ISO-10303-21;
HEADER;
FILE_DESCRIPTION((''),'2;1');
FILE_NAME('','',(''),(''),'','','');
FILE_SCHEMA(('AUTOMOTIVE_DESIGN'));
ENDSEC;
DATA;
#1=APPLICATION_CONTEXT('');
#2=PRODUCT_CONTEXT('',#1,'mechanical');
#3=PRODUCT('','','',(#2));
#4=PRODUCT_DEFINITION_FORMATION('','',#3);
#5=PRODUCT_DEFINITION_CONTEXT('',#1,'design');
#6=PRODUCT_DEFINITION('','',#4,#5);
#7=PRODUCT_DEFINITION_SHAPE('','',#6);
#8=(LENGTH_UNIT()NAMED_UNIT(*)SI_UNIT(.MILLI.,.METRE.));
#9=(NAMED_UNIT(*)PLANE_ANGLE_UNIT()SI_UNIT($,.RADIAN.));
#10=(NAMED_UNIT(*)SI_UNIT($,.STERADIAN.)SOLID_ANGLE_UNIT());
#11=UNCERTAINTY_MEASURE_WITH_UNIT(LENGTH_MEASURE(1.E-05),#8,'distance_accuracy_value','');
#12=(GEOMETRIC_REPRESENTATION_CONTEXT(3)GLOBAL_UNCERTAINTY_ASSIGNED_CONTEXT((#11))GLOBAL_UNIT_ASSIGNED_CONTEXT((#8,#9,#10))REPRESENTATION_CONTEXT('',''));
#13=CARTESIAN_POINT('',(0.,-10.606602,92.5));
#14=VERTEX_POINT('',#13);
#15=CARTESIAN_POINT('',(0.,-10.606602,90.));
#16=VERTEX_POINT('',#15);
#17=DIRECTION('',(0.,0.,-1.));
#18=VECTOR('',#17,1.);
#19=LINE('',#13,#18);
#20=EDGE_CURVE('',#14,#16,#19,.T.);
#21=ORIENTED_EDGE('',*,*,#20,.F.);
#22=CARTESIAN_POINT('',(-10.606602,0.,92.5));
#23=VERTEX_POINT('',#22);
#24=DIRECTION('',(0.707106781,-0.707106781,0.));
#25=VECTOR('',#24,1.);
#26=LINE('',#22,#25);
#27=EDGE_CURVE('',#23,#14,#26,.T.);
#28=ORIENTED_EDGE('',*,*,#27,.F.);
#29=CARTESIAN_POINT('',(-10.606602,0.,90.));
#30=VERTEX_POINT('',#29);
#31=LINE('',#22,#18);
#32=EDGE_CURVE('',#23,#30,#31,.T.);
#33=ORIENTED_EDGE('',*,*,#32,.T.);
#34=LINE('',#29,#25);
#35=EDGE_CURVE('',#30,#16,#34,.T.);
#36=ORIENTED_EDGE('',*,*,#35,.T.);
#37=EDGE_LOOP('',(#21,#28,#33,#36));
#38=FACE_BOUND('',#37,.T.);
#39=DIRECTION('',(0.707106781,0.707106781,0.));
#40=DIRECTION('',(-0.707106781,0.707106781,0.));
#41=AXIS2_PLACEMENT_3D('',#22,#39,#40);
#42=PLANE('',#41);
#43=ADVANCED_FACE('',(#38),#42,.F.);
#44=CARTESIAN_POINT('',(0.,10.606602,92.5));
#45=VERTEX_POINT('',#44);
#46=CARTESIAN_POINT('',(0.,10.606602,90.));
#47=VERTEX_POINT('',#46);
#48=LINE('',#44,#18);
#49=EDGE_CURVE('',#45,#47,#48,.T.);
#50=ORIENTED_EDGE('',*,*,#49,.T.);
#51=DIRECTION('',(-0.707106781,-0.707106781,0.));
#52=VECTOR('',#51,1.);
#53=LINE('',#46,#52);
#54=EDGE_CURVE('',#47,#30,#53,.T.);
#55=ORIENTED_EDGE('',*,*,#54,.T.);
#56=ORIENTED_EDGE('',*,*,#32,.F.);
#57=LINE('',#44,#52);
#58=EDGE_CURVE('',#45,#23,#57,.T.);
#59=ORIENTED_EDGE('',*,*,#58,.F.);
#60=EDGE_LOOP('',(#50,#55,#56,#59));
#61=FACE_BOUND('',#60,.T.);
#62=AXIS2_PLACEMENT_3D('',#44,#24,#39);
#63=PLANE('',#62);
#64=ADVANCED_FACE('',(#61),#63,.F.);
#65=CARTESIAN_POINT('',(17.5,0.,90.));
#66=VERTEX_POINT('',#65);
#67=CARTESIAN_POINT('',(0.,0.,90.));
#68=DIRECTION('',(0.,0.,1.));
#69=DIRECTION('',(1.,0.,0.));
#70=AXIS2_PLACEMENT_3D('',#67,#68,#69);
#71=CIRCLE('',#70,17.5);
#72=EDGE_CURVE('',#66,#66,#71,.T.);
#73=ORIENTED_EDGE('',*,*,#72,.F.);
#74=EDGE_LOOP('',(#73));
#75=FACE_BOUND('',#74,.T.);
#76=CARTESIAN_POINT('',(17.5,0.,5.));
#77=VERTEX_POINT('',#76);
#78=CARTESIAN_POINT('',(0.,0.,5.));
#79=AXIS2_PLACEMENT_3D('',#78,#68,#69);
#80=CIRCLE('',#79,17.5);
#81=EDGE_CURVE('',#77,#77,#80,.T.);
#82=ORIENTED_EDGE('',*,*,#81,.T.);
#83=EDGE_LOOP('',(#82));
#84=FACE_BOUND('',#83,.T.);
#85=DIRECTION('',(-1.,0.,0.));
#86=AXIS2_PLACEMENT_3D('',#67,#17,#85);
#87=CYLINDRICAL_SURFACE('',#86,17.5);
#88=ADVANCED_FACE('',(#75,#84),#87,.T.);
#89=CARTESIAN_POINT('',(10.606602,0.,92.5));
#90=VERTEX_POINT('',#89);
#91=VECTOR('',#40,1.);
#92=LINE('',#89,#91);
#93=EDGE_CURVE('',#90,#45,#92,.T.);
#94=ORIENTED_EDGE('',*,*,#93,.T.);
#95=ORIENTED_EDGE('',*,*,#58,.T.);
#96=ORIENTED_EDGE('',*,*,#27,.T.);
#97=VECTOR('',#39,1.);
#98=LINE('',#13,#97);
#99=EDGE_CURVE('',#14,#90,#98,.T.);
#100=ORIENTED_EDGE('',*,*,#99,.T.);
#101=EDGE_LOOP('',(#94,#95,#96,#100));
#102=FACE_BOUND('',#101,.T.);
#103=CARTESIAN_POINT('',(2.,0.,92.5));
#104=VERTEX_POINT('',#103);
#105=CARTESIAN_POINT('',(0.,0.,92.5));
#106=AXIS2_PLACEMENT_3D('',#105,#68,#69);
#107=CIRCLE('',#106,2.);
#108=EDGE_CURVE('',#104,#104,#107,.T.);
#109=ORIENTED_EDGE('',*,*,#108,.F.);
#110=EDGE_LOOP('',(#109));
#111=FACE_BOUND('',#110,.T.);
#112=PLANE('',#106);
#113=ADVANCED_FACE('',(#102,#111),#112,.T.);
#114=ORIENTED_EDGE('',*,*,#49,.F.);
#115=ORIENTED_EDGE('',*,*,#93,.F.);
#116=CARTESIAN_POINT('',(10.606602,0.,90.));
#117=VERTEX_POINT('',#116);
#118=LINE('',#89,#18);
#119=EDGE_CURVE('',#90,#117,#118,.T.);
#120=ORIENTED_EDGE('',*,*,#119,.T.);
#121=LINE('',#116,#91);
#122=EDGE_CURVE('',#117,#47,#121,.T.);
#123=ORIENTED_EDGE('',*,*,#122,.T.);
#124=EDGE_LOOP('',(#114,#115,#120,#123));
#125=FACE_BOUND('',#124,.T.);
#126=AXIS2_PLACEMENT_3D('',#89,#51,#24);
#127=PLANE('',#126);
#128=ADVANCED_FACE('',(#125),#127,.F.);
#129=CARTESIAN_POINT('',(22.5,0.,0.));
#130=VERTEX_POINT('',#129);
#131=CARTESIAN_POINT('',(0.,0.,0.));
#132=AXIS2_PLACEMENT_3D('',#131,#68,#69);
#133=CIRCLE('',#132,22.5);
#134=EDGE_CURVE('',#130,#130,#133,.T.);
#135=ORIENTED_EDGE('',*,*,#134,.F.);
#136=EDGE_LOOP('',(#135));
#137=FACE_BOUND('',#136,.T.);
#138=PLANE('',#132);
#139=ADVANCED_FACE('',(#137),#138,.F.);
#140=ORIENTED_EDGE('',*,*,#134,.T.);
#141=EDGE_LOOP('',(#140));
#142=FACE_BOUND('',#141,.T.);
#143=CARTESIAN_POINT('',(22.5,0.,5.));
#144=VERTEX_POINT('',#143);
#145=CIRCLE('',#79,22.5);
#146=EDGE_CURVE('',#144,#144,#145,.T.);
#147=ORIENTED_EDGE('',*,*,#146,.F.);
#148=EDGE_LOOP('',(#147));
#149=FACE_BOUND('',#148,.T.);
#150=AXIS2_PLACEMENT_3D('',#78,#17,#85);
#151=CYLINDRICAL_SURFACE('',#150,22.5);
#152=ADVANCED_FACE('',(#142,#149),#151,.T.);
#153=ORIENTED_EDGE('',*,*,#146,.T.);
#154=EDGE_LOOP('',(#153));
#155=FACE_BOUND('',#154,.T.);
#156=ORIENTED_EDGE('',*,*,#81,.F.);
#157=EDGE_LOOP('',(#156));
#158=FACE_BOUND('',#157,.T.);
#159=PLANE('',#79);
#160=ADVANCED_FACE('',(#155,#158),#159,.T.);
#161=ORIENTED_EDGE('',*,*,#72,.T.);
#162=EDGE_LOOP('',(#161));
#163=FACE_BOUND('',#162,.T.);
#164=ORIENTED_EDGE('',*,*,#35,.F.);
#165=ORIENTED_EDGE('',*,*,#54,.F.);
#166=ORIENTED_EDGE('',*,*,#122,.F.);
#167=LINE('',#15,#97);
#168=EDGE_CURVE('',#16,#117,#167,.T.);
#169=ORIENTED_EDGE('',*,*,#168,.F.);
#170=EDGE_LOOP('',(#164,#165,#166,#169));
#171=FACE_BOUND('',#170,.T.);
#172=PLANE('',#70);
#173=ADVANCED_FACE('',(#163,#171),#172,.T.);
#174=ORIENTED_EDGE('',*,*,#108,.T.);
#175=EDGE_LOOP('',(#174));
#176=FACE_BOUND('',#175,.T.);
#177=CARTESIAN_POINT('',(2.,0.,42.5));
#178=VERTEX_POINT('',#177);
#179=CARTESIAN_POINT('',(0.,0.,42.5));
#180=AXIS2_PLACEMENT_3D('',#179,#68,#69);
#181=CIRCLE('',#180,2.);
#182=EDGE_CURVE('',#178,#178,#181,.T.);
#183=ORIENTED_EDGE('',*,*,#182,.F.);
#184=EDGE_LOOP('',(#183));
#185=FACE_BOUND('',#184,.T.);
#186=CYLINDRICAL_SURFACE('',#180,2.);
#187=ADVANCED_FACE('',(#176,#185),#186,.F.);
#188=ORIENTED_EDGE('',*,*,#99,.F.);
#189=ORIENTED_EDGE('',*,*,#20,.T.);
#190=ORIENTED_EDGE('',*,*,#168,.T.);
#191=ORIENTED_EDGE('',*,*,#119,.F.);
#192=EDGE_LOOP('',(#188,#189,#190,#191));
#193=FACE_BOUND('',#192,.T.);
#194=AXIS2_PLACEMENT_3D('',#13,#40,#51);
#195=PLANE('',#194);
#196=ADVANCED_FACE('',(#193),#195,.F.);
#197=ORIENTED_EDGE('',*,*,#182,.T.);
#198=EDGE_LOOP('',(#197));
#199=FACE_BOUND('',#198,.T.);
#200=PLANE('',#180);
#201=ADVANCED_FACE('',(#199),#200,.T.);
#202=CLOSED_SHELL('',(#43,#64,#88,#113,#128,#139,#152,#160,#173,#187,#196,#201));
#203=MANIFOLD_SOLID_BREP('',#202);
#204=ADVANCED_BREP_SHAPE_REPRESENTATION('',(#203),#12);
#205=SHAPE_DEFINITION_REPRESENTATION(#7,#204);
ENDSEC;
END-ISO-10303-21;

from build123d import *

# Parameters (mm, degrees)
SKETCH_1_R          = 22.5
EXTRUDE_1_DEPTH     = 5
SKETCH_2_R          = 17.5
EXTRUDE_2_DEPTH     = 85
EXTRUDE_3_DEPTH     = 2.5
SKETCH_4_R          = 2
CUT_EXTRUDE_1_DEPTH = 50


with BuildPart() as part:
    # Эскиз1 → Бобышка-Вытянуть1 (new body)
    with BuildSketch(Plane.XY):
        Circle(SKETCH_1_R)
    extrude(amount=EXTRUDE_1_DEPTH)

    # Эскиз2 → Бобышка-Вытянуть2 (add)
    with BuildSketch(Plane.XY.offset(5)):
        Circle(SKETCH_2_R)
    extrude(amount=EXTRUDE_2_DEPTH)

    # Эскиз3 → Бобышка-Вытянуть3 (add)
    with BuildSketch(Plane.XY.offset(90)):
        Polygon((10.606601718, 0), (0, 10.606601718), (-10.606601718, 0), (0, -10.606601718), align=None)
    extrude(amount=EXTRUDE_3_DEPTH)

    # Эскиз4 → Вырез-Вытянуть1 (cut)
    with BuildSketch(Plane.XY.offset(92.5)):
        Circle(SKETCH_4_R)
    extrude(amount=-CUT_EXTRUDE_1_DEPTH, mode=Mode.SUBTRACT)


solid = part.part
